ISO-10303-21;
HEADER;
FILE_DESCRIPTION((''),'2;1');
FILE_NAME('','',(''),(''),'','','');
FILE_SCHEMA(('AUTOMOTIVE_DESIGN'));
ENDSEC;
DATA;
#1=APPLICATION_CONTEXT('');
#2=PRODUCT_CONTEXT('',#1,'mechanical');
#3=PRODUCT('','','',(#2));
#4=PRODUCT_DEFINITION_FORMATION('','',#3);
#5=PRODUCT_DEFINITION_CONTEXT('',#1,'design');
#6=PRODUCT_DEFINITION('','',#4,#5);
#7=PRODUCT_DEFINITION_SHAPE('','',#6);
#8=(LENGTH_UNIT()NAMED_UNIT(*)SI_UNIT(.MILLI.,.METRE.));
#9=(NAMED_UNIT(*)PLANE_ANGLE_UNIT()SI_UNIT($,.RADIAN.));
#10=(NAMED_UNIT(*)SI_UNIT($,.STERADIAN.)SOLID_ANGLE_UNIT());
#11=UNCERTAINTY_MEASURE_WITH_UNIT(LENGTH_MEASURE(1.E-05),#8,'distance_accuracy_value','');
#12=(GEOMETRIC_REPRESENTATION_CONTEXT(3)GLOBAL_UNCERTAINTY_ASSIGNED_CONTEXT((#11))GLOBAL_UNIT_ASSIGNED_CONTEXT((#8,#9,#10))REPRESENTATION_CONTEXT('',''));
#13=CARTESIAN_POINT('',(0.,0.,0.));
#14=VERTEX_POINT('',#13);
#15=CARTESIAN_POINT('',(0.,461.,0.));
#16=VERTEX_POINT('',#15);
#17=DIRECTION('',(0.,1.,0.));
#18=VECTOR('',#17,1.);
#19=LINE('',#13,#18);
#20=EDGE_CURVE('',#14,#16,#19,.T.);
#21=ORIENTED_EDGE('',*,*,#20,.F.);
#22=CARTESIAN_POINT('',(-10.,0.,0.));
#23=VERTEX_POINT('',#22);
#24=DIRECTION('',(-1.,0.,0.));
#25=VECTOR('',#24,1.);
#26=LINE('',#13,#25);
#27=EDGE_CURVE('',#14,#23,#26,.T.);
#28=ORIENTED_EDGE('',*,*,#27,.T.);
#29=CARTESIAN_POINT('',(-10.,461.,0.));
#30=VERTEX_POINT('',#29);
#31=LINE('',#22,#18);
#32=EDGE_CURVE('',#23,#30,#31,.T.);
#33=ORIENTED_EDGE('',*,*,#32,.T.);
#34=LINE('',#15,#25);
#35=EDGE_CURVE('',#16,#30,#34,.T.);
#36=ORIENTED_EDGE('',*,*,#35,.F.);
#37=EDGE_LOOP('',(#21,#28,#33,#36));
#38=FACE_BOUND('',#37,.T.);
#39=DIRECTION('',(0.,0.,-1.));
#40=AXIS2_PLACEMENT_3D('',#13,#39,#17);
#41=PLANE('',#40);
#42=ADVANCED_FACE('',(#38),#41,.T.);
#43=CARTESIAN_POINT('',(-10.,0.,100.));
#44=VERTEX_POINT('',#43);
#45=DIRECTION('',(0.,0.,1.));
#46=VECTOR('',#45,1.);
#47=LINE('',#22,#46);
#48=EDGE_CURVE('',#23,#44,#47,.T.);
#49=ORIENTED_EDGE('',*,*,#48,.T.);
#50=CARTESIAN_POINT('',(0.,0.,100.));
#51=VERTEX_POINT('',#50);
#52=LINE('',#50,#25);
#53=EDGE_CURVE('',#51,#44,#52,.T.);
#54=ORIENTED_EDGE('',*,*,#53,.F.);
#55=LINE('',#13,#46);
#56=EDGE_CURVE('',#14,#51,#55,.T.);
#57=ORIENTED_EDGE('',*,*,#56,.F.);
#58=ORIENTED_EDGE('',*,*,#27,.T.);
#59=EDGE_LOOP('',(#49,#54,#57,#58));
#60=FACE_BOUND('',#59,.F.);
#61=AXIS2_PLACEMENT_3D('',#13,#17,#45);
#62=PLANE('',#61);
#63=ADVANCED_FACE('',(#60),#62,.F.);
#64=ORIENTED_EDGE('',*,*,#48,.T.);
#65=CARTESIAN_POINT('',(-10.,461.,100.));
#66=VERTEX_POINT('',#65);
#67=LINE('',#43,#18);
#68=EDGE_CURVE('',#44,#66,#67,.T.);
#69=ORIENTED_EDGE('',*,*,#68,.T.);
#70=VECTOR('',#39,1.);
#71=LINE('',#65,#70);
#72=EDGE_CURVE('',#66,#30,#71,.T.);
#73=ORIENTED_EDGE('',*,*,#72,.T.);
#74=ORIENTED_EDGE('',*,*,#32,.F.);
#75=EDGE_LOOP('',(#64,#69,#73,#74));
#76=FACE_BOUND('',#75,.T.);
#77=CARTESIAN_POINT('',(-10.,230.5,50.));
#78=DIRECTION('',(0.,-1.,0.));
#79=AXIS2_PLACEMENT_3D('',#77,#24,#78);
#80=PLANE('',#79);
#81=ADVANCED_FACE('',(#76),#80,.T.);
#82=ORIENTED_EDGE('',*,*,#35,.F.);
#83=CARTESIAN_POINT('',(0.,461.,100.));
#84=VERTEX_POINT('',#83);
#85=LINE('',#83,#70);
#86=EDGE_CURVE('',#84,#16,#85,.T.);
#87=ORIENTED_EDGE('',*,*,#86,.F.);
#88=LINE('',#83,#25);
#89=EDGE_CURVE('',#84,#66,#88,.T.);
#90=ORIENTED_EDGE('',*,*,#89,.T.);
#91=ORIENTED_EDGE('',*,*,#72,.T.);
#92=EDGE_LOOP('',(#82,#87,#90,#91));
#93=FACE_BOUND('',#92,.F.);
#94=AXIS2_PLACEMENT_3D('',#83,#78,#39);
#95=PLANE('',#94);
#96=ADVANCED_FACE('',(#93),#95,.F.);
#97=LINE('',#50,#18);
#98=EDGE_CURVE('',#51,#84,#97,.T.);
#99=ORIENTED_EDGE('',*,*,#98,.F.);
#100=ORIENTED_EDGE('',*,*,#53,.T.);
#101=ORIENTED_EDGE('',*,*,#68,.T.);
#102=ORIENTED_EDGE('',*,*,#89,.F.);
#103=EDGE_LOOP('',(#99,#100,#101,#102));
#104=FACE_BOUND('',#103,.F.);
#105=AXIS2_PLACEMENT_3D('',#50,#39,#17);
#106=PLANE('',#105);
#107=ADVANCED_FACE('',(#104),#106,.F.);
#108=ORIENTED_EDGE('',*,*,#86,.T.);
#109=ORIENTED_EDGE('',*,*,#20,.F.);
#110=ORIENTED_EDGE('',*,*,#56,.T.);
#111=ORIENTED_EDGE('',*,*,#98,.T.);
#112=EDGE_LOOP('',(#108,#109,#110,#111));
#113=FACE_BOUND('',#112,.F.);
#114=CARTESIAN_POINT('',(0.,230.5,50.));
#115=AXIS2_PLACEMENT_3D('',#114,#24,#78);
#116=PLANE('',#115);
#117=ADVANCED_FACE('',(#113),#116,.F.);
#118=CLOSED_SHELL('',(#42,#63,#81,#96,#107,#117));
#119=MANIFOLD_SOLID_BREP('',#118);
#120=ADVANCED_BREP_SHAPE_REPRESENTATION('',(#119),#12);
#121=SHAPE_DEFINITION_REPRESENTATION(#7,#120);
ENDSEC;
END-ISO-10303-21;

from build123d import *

# Parameters (mm, degrees)
PAD_DEPTH = 10


with BuildPart() as part:
    # Sketch → Pad (new body)
    with BuildSketch(Plane.YZ):
        Polygon((0, 0), (0, 100), (461, 100), (461, 0), (230.5, 0), align=None)
    extrude(amount=-PAD_DEPTH)


solid = part.part
